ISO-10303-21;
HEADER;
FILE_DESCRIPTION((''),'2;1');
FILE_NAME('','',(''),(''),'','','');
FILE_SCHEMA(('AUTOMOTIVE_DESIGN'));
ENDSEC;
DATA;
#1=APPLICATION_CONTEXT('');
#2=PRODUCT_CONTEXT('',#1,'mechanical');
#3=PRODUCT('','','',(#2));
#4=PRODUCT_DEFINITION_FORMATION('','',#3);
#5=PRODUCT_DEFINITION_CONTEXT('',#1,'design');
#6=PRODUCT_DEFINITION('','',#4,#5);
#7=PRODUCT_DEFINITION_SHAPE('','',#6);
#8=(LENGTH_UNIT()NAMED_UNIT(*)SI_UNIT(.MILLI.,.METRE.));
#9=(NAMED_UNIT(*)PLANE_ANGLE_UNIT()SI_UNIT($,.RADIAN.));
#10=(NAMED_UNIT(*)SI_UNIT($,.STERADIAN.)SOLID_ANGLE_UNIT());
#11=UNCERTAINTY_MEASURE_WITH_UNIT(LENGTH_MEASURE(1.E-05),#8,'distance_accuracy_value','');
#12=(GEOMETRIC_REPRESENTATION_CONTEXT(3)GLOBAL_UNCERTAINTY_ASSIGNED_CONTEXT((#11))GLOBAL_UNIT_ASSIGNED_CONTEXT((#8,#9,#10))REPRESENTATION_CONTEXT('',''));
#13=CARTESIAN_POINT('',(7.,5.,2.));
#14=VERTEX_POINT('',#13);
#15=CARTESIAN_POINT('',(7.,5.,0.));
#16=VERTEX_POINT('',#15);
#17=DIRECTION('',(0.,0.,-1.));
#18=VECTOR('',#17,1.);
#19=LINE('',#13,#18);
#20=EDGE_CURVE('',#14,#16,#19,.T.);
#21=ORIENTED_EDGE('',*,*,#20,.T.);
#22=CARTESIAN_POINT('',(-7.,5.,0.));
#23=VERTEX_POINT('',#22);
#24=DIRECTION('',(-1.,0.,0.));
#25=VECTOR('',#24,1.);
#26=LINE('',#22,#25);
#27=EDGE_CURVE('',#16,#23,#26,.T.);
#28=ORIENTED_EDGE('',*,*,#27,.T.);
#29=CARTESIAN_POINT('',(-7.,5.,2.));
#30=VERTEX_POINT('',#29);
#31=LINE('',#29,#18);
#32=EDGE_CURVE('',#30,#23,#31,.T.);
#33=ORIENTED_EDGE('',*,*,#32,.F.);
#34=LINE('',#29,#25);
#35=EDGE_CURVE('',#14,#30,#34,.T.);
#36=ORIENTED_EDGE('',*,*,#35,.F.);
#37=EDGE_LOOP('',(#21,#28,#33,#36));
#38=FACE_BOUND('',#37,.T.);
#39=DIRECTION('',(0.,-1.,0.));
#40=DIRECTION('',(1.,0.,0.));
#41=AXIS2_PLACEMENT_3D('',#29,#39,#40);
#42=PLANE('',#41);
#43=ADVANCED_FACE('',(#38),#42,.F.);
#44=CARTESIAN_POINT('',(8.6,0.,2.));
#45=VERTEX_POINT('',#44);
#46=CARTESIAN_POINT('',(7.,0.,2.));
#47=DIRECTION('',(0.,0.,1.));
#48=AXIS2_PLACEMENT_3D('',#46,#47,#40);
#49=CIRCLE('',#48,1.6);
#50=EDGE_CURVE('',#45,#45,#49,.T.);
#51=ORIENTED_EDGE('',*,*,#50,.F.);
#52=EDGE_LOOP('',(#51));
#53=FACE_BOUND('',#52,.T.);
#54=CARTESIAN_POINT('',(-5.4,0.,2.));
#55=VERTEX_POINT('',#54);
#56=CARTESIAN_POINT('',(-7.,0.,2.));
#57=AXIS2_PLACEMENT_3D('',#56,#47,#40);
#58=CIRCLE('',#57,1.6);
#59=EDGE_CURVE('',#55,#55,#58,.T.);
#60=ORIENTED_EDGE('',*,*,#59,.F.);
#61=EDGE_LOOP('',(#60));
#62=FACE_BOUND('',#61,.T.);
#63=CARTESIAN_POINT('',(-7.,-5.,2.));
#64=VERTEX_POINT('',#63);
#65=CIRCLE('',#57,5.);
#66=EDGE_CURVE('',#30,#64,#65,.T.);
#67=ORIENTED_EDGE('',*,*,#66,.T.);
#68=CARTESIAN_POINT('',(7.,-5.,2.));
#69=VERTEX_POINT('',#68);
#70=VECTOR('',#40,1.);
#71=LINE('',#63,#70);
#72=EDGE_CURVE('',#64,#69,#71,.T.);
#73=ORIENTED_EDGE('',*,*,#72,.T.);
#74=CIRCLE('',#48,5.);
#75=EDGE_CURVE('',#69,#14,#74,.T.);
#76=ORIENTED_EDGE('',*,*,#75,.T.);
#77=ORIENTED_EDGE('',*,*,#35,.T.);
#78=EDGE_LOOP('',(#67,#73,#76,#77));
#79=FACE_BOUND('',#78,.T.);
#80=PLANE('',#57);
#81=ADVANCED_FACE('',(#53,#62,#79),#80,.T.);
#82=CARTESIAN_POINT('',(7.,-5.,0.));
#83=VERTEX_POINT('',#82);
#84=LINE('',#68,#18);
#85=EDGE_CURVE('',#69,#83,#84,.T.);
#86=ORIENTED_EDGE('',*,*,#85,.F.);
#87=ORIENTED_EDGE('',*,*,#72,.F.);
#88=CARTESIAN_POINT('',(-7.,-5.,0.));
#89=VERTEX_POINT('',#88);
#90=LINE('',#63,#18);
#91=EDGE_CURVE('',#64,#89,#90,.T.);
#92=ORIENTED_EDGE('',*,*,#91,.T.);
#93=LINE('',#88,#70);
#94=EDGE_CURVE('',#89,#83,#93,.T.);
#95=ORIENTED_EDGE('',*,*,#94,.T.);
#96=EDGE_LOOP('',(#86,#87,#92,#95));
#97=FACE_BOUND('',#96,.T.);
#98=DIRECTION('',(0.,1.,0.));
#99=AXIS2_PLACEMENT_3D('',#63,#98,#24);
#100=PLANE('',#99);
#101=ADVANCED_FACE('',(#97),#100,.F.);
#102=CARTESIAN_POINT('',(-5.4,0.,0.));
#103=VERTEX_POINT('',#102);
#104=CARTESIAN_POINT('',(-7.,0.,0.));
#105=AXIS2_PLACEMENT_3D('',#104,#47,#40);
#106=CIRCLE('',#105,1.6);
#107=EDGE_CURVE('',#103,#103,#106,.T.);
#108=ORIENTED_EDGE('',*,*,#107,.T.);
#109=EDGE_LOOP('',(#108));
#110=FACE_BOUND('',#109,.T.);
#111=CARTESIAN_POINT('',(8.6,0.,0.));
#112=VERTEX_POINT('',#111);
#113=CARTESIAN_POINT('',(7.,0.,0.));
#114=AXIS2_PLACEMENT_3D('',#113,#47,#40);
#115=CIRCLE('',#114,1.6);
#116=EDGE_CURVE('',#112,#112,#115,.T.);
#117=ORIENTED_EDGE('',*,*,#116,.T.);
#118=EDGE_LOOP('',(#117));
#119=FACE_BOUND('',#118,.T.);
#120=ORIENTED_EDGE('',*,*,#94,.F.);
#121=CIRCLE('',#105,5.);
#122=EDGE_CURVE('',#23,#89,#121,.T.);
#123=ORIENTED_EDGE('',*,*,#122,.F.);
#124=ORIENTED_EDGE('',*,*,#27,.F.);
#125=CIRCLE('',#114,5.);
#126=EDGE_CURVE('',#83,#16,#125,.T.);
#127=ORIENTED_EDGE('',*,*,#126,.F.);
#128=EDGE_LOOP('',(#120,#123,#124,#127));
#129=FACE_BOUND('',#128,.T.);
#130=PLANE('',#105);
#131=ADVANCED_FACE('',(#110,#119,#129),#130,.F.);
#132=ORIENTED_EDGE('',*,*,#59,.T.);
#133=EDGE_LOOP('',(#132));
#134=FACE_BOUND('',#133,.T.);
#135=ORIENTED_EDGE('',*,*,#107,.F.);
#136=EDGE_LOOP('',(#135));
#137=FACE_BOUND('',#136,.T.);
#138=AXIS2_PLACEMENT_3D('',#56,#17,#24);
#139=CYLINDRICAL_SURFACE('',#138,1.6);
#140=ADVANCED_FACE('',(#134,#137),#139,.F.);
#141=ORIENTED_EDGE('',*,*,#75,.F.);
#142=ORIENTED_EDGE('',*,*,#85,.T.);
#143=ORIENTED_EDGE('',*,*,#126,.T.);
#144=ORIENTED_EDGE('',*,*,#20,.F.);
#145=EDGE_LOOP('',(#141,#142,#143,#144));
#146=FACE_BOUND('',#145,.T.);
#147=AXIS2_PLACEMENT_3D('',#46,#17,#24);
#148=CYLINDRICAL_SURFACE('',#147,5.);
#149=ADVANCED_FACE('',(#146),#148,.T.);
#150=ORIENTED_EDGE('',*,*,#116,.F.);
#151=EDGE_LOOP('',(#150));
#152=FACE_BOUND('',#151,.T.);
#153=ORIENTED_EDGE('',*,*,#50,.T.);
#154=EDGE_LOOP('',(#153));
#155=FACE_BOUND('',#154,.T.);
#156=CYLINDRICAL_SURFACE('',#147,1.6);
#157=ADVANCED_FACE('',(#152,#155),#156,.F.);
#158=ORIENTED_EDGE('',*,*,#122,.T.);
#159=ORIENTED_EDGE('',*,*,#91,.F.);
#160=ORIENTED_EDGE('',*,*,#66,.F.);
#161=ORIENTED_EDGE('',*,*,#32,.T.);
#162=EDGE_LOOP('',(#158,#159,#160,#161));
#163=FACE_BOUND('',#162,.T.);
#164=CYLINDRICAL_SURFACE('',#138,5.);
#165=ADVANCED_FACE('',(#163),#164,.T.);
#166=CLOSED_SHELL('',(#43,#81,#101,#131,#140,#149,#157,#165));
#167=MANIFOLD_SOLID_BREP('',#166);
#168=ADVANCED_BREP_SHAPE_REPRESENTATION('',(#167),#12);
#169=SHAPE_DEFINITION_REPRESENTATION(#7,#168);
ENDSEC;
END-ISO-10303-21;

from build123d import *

# Parameters (mm, degrees)
ESBO_O1_R                = 1.6
RESSALTO_EXTRUS_O1_DEPTH = 2


with BuildPart() as part:
    # Esboço1 → Ressalto-extrusão1 (new body)
    with BuildSketch(Plane.XY):
        with BuildLine():
            Line((-7, 5), (7, 5))
            ThreePointArc((7, 5), (12, 0), (7, -5))
            Line((7, -5), (-7, -5))
            ThreePointArc((-7, -5), (-12, 0), (-7, 5))
        make_face()
        with Locations((7, 0)):
            Circle(ESBO_O1_R, mode=Mode.SUBTRACT)
        with Locations((-7, 0)):
            Circle(ESBO_O1_R, mode=Mode.SUBTRACT)
    extrude(amount=RESSALTO_EXTRUS_O1_DEPTH)


solid = part.part
